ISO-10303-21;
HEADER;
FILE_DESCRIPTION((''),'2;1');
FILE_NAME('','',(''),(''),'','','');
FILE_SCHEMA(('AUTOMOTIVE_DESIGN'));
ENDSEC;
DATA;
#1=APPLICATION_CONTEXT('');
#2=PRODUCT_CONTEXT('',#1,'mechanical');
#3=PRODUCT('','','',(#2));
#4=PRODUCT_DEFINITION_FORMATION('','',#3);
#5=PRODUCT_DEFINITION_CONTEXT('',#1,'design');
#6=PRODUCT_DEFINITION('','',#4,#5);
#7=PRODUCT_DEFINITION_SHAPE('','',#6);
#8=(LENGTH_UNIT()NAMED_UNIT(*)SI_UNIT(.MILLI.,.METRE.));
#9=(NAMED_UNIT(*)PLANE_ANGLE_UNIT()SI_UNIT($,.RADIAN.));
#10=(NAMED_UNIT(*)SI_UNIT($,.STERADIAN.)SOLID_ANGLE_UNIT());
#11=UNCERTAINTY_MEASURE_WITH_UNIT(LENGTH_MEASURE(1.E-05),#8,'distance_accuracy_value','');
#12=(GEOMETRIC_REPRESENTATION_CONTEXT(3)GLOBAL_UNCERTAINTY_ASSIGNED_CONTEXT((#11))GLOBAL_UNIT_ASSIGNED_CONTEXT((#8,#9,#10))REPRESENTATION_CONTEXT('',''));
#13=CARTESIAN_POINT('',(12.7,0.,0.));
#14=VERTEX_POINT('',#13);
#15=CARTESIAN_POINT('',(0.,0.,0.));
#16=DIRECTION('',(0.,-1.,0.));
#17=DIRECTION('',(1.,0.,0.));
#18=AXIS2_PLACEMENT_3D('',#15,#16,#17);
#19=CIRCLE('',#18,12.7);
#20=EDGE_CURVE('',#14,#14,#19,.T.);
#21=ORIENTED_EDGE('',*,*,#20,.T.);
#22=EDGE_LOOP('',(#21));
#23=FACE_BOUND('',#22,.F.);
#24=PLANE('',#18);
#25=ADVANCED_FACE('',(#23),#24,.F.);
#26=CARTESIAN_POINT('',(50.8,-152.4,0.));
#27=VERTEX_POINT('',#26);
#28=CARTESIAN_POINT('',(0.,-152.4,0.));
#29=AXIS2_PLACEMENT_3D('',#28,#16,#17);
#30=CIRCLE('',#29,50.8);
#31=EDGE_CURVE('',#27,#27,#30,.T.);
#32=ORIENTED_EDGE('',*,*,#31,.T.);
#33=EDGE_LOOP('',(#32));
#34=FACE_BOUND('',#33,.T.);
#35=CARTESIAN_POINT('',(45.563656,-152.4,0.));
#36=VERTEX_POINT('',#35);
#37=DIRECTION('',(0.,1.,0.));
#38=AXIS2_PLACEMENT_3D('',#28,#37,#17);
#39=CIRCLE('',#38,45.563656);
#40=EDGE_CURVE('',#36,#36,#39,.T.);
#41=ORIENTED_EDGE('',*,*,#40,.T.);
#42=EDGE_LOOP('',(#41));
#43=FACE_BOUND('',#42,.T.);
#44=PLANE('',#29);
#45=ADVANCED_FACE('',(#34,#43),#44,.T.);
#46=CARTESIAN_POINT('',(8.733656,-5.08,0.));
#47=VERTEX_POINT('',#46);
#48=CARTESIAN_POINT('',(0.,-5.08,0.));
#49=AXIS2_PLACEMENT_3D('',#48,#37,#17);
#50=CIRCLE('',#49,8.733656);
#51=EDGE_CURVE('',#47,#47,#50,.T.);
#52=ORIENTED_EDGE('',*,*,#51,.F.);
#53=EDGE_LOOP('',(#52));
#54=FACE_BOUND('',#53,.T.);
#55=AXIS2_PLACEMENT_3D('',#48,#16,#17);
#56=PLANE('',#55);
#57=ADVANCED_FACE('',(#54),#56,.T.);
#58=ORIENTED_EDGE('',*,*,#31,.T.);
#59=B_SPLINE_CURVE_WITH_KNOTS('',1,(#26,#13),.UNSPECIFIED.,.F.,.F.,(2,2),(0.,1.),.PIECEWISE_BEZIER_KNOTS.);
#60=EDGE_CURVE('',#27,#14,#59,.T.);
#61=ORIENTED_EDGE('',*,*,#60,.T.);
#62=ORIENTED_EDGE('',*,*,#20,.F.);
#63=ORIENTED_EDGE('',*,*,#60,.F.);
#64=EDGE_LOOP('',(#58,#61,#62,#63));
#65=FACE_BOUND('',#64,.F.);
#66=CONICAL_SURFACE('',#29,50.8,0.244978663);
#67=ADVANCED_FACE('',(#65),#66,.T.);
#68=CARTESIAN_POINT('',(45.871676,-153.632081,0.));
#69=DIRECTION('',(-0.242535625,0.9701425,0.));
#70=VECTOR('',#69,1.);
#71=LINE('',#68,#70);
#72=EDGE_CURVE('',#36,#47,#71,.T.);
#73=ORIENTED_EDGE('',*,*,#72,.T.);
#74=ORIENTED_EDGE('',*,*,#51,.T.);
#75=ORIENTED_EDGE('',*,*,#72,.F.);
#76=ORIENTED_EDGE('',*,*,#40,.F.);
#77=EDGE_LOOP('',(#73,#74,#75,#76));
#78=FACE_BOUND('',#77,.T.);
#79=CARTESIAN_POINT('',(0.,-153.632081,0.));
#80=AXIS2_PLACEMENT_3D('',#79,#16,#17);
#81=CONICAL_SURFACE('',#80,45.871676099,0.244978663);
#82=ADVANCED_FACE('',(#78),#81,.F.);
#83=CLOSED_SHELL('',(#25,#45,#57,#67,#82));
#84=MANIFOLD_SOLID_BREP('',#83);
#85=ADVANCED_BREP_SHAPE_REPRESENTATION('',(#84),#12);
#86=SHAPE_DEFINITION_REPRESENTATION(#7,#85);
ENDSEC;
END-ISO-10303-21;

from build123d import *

# Parameters (mm, degrees)
F1_R = 50.8
F2_R = 12.7
F4_T = -5.08


with BuildPart() as f3:
    # F1 (on offset) → F3 section 0
    with BuildSketch(Plane.XZ.offset(152.4)):
        Circle(F1_R)
    # F2 (on Front) → F3 section 1
    with BuildSketch(Plane.XZ):
        Circle(F2_R)
    loft()

    # F4
    f4_openings = [f3.faces().sort_by_distance(p)[0] for p in [
        (0, -152.4, 0),
    ]]
    offset(amount=F4_T, openings=f4_openings, kind=Kind.INTERSECTION)


solid = f3.part
